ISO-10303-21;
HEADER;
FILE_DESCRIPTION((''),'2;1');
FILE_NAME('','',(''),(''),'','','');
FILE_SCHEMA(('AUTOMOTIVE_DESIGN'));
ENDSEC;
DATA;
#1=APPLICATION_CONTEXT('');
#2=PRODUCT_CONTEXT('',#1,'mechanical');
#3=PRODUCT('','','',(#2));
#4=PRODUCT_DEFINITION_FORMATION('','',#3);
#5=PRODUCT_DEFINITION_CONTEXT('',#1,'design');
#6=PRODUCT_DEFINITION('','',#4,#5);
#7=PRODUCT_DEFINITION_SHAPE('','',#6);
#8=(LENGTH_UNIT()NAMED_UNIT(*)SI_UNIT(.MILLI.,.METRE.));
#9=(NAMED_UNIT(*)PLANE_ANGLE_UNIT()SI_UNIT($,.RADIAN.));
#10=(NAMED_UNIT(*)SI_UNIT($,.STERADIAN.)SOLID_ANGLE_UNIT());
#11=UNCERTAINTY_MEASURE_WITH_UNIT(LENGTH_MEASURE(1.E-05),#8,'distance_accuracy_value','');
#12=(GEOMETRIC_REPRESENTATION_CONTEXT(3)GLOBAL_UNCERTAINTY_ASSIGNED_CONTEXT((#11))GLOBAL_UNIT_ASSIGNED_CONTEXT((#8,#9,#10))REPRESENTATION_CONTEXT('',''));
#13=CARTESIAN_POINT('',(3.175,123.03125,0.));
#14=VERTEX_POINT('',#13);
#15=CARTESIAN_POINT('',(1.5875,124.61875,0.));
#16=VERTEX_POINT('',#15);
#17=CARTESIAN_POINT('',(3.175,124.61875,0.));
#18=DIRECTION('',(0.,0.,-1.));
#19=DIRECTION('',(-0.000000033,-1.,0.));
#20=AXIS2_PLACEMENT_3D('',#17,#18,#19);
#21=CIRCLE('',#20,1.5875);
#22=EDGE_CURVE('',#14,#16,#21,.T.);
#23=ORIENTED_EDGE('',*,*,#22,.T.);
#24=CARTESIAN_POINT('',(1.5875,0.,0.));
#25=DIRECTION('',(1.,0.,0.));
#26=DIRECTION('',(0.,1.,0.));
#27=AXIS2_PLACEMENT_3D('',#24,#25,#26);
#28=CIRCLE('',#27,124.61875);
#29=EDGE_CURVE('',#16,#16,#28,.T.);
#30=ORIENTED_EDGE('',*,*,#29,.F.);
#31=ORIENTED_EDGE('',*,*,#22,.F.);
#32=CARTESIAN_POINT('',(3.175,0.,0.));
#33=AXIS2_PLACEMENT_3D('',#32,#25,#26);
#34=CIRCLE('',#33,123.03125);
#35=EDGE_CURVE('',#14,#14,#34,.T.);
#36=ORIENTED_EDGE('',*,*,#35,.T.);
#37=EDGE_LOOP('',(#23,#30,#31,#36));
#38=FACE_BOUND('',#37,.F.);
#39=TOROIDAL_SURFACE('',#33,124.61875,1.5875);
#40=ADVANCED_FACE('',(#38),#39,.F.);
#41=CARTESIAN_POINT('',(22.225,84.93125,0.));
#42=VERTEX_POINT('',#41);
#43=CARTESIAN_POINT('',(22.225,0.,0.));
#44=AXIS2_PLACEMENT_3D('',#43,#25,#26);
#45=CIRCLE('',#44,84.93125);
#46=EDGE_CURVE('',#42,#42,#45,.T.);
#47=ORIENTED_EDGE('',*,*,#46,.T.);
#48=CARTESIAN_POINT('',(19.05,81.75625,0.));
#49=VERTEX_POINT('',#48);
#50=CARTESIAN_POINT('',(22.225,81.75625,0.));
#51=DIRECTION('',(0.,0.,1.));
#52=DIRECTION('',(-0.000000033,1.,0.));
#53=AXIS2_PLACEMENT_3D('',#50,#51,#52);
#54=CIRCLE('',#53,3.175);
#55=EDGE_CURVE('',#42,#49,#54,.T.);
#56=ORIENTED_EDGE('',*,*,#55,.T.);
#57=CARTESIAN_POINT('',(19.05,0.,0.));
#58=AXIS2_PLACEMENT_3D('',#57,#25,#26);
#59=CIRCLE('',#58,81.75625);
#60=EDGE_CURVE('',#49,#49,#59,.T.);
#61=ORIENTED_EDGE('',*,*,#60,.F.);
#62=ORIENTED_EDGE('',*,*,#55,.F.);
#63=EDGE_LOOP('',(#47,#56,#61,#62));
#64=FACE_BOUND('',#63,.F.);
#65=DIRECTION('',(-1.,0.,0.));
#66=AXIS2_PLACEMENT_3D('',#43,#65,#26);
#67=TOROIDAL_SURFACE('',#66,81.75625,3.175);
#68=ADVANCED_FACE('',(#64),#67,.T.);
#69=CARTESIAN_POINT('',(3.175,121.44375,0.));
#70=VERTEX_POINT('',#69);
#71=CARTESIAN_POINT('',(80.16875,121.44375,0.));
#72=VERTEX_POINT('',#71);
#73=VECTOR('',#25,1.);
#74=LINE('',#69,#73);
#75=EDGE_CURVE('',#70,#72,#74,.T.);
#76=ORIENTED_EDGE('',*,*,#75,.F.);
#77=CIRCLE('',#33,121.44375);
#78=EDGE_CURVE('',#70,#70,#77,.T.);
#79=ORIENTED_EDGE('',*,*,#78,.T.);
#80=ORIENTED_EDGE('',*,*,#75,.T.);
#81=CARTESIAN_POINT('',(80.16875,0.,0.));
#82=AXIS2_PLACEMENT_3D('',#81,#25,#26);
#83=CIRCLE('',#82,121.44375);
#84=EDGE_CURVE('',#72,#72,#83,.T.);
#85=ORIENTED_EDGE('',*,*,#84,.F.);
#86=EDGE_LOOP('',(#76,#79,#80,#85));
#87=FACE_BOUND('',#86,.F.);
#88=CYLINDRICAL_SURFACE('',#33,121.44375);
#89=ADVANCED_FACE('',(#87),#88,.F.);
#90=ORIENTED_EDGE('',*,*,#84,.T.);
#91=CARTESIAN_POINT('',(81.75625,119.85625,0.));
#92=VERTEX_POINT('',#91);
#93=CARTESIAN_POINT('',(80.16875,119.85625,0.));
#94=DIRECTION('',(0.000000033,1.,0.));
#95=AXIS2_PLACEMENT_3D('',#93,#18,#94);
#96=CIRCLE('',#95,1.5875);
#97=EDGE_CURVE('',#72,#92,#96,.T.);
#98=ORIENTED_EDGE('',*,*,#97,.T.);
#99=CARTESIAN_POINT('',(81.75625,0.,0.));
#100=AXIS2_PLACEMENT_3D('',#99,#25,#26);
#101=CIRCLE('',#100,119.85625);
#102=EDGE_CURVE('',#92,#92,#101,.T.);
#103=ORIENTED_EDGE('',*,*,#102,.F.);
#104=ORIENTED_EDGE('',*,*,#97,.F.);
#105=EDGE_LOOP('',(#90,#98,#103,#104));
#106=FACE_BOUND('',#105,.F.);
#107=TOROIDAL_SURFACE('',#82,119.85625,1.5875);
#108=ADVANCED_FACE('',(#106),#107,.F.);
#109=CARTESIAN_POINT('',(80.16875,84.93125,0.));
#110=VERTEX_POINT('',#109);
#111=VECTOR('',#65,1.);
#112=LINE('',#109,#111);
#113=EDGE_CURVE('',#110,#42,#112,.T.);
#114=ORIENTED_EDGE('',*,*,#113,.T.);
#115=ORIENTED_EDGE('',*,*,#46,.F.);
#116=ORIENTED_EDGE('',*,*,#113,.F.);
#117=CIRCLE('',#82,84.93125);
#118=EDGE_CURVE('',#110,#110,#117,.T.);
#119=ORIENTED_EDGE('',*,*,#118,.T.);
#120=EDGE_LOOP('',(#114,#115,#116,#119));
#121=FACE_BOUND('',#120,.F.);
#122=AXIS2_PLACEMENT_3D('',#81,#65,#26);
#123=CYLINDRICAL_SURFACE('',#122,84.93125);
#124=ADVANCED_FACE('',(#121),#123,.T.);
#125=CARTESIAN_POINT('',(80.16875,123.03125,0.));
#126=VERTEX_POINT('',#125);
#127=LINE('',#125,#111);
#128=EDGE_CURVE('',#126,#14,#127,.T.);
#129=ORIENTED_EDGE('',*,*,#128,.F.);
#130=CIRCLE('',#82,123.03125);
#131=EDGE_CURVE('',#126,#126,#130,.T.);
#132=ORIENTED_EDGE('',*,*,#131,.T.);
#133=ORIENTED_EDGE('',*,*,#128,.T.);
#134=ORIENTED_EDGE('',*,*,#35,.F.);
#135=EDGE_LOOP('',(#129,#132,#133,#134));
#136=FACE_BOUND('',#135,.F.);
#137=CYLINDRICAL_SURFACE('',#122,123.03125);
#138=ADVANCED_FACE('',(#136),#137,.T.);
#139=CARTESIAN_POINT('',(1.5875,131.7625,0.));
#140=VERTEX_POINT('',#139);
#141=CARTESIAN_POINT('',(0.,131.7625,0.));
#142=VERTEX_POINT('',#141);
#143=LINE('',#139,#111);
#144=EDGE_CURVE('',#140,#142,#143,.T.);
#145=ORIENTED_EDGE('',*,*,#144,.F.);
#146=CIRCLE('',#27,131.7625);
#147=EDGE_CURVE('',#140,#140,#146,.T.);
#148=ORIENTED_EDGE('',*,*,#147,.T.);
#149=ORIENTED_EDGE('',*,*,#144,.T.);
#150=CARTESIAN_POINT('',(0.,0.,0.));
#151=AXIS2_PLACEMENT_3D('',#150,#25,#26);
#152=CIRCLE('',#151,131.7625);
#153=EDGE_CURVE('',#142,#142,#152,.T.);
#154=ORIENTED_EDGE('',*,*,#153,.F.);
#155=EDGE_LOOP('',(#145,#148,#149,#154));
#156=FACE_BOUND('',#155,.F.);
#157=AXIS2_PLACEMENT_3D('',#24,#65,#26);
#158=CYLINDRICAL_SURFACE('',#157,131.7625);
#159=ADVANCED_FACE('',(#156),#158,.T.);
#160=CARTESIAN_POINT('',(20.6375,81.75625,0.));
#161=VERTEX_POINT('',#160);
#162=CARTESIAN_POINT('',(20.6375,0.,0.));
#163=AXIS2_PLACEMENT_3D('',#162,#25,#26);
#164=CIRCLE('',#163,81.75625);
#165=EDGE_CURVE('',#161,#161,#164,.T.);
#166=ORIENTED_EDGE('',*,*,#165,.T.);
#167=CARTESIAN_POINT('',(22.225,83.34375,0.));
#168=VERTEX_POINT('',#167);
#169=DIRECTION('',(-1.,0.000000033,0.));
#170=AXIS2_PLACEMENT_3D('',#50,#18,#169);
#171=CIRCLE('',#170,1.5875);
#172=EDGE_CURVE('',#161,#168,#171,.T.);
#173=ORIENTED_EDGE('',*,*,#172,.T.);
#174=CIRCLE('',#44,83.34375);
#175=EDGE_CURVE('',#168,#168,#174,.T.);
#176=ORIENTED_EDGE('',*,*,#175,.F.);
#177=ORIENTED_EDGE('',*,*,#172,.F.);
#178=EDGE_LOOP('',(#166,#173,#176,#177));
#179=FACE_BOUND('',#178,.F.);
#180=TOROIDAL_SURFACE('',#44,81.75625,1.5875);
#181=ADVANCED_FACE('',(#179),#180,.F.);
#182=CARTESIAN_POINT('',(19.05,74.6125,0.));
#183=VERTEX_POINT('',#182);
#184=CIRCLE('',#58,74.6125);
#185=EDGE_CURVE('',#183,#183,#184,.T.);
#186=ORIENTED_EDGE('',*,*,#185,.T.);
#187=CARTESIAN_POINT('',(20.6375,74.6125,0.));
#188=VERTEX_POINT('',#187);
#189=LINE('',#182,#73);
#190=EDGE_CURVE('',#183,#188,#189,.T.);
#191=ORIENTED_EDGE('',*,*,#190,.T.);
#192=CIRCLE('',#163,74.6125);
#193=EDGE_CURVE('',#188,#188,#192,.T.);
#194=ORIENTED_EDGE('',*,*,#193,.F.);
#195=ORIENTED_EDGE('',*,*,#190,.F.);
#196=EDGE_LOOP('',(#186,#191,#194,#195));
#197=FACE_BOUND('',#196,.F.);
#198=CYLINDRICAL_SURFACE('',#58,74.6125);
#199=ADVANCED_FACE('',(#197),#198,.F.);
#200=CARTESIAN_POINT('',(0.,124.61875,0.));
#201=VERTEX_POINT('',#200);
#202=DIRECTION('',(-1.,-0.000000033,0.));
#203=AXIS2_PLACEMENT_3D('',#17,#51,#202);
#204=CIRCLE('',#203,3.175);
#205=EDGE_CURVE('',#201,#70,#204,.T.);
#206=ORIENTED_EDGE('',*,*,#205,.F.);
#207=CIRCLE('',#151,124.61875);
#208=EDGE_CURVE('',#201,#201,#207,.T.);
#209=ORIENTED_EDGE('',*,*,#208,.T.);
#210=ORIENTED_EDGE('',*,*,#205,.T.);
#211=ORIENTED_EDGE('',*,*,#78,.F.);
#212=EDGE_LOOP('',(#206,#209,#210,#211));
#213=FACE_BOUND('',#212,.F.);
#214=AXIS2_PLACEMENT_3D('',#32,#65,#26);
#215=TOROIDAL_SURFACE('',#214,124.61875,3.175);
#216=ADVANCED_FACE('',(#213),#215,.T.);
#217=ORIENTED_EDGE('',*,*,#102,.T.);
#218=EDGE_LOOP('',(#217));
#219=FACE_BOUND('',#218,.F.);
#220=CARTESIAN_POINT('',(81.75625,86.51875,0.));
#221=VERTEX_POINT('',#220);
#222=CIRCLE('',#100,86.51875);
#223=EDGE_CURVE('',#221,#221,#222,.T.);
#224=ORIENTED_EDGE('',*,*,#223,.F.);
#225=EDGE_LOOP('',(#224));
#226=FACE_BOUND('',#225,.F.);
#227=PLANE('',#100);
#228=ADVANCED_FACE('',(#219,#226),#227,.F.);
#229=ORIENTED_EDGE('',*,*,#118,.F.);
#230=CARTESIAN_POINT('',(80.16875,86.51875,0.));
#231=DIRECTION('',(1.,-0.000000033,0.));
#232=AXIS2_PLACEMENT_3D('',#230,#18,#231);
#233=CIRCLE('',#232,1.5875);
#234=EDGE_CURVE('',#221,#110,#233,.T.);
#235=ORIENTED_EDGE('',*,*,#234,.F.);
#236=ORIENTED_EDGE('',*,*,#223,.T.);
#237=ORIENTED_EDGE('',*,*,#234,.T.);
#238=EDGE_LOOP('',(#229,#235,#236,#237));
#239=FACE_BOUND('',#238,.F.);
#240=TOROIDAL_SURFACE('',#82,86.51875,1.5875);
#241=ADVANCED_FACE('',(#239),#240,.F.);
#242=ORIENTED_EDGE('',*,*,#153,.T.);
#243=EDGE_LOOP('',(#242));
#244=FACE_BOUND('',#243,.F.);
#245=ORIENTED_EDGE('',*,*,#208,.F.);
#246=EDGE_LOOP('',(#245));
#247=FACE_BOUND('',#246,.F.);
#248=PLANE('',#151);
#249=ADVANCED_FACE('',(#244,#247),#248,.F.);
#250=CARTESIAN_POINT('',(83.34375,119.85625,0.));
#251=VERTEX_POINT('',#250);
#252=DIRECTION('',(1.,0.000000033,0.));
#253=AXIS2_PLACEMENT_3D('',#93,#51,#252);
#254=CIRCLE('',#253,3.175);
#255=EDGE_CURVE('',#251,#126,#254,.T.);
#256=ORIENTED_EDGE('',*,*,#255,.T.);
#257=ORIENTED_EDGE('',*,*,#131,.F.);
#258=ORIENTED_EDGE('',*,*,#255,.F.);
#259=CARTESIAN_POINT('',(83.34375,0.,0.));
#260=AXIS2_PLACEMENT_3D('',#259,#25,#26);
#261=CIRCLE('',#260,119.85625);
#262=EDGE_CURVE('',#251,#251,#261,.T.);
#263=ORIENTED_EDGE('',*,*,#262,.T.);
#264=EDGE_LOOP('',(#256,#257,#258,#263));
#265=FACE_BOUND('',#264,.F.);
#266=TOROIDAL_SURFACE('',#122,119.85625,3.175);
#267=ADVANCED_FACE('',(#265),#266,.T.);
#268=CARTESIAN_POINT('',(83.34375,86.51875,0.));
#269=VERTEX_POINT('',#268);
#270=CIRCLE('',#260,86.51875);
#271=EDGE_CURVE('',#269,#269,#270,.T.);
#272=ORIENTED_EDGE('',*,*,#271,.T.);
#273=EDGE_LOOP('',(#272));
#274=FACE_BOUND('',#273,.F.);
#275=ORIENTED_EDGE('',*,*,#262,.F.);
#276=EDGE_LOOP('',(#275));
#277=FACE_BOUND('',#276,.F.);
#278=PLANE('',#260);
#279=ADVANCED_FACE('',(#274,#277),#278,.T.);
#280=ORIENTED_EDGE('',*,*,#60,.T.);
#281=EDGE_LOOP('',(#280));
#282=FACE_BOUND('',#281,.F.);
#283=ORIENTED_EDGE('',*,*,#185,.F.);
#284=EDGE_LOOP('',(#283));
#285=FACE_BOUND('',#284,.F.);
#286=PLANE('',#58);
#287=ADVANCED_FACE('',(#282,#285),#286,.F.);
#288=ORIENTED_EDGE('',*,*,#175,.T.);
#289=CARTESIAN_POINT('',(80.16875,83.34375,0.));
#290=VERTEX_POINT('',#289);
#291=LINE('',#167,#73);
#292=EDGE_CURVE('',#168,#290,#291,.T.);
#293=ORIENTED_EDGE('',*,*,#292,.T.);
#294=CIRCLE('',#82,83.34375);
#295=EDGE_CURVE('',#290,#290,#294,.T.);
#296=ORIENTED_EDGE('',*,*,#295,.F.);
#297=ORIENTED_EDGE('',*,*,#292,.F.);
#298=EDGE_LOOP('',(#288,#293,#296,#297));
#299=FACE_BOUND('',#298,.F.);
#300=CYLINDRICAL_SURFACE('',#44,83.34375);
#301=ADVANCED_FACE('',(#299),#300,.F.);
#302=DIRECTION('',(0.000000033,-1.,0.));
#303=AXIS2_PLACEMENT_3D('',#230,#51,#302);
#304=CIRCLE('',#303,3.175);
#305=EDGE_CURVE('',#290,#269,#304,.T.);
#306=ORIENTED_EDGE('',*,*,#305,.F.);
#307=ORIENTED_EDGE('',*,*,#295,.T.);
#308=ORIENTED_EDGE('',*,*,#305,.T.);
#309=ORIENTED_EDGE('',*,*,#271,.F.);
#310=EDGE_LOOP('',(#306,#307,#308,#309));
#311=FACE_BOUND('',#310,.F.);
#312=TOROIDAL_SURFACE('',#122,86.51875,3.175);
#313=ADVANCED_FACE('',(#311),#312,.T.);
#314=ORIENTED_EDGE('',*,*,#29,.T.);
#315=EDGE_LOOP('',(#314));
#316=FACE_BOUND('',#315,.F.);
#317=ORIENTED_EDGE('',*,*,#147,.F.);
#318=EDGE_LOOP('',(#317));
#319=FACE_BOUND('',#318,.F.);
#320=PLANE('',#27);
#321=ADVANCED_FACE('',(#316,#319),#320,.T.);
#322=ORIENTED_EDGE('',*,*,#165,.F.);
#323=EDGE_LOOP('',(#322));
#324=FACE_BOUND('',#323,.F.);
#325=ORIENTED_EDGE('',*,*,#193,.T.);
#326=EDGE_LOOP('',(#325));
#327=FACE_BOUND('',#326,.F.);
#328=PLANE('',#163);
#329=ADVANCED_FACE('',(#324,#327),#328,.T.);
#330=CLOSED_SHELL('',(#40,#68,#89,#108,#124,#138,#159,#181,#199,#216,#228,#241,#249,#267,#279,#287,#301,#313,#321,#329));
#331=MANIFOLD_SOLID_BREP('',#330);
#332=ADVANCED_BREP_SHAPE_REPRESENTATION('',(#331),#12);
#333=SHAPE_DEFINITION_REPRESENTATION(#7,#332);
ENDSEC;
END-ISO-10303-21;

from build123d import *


with BuildPart() as f1:
    # F0 (on Top) → F1 (revolve)
    with BuildSketch(Plane.XY):
        with BuildLine():
            Line((19.05, 81.75625), (19.05, 74.6125))
            Line((19.05, 74.6125), (20.6375, 74.6125))
            Line((20.6375, 74.6125), (20.6375, 81.75625))
            ThreePointArc((20.6375, 81.75625), (21.102468, 82.878782), (22.225, 83.34375))
            Line((22.225, 83.34375), (80.16875, 83.34375))
            ThreePointArc((80.16875, 83.34375), (82.413814, 84.273686), (83.34375, 86.51875))
            Line((83.34375, 86.51875), (83.34375, 119.85625))
            ThreePointArc((83.34375, 119.85625), (82.413814, 122.101314), (80.16875, 123.03125))
            Line((80.16875, 123.03125), (3.175, 123.03125))
            ThreePointArc((3.175, 123.03125), (2.052468, 123.496218), (1.5875, 124.61875))
            Line((1.5875, 124.61875), (1.5875, 131.7625))
            Line((1.5875, 131.7625), (0, 131.7625))
            Line((0, 131.7625), (0, 124.61875))
            ThreePointArc((0, 124.61875), (0.929936, 122.373686), (3.175, 121.44375))
            Line((3.175, 121.44375), (80.16875, 121.44375))
            ThreePointArc((80.16875, 121.44375), (81.291282, 120.978782), (81.75625, 119.85625))
            Line((81.75625, 119.85625), (81.75625, 86.51875))
            ThreePointArc((81.75625, 86.51875), (81.291282, 85.396218), (80.16875, 84.93125))
            Line((80.16875, 84.93125), (22.225, 84.93125))
            ThreePointArc((22.225, 84.93125), (19.979936, 84.001314), (19.05, 81.75625))
        make_face()
    revolve(axis=Axis((66.957444, 0, 0), (1, 0, 0)))


solid = f1.part
